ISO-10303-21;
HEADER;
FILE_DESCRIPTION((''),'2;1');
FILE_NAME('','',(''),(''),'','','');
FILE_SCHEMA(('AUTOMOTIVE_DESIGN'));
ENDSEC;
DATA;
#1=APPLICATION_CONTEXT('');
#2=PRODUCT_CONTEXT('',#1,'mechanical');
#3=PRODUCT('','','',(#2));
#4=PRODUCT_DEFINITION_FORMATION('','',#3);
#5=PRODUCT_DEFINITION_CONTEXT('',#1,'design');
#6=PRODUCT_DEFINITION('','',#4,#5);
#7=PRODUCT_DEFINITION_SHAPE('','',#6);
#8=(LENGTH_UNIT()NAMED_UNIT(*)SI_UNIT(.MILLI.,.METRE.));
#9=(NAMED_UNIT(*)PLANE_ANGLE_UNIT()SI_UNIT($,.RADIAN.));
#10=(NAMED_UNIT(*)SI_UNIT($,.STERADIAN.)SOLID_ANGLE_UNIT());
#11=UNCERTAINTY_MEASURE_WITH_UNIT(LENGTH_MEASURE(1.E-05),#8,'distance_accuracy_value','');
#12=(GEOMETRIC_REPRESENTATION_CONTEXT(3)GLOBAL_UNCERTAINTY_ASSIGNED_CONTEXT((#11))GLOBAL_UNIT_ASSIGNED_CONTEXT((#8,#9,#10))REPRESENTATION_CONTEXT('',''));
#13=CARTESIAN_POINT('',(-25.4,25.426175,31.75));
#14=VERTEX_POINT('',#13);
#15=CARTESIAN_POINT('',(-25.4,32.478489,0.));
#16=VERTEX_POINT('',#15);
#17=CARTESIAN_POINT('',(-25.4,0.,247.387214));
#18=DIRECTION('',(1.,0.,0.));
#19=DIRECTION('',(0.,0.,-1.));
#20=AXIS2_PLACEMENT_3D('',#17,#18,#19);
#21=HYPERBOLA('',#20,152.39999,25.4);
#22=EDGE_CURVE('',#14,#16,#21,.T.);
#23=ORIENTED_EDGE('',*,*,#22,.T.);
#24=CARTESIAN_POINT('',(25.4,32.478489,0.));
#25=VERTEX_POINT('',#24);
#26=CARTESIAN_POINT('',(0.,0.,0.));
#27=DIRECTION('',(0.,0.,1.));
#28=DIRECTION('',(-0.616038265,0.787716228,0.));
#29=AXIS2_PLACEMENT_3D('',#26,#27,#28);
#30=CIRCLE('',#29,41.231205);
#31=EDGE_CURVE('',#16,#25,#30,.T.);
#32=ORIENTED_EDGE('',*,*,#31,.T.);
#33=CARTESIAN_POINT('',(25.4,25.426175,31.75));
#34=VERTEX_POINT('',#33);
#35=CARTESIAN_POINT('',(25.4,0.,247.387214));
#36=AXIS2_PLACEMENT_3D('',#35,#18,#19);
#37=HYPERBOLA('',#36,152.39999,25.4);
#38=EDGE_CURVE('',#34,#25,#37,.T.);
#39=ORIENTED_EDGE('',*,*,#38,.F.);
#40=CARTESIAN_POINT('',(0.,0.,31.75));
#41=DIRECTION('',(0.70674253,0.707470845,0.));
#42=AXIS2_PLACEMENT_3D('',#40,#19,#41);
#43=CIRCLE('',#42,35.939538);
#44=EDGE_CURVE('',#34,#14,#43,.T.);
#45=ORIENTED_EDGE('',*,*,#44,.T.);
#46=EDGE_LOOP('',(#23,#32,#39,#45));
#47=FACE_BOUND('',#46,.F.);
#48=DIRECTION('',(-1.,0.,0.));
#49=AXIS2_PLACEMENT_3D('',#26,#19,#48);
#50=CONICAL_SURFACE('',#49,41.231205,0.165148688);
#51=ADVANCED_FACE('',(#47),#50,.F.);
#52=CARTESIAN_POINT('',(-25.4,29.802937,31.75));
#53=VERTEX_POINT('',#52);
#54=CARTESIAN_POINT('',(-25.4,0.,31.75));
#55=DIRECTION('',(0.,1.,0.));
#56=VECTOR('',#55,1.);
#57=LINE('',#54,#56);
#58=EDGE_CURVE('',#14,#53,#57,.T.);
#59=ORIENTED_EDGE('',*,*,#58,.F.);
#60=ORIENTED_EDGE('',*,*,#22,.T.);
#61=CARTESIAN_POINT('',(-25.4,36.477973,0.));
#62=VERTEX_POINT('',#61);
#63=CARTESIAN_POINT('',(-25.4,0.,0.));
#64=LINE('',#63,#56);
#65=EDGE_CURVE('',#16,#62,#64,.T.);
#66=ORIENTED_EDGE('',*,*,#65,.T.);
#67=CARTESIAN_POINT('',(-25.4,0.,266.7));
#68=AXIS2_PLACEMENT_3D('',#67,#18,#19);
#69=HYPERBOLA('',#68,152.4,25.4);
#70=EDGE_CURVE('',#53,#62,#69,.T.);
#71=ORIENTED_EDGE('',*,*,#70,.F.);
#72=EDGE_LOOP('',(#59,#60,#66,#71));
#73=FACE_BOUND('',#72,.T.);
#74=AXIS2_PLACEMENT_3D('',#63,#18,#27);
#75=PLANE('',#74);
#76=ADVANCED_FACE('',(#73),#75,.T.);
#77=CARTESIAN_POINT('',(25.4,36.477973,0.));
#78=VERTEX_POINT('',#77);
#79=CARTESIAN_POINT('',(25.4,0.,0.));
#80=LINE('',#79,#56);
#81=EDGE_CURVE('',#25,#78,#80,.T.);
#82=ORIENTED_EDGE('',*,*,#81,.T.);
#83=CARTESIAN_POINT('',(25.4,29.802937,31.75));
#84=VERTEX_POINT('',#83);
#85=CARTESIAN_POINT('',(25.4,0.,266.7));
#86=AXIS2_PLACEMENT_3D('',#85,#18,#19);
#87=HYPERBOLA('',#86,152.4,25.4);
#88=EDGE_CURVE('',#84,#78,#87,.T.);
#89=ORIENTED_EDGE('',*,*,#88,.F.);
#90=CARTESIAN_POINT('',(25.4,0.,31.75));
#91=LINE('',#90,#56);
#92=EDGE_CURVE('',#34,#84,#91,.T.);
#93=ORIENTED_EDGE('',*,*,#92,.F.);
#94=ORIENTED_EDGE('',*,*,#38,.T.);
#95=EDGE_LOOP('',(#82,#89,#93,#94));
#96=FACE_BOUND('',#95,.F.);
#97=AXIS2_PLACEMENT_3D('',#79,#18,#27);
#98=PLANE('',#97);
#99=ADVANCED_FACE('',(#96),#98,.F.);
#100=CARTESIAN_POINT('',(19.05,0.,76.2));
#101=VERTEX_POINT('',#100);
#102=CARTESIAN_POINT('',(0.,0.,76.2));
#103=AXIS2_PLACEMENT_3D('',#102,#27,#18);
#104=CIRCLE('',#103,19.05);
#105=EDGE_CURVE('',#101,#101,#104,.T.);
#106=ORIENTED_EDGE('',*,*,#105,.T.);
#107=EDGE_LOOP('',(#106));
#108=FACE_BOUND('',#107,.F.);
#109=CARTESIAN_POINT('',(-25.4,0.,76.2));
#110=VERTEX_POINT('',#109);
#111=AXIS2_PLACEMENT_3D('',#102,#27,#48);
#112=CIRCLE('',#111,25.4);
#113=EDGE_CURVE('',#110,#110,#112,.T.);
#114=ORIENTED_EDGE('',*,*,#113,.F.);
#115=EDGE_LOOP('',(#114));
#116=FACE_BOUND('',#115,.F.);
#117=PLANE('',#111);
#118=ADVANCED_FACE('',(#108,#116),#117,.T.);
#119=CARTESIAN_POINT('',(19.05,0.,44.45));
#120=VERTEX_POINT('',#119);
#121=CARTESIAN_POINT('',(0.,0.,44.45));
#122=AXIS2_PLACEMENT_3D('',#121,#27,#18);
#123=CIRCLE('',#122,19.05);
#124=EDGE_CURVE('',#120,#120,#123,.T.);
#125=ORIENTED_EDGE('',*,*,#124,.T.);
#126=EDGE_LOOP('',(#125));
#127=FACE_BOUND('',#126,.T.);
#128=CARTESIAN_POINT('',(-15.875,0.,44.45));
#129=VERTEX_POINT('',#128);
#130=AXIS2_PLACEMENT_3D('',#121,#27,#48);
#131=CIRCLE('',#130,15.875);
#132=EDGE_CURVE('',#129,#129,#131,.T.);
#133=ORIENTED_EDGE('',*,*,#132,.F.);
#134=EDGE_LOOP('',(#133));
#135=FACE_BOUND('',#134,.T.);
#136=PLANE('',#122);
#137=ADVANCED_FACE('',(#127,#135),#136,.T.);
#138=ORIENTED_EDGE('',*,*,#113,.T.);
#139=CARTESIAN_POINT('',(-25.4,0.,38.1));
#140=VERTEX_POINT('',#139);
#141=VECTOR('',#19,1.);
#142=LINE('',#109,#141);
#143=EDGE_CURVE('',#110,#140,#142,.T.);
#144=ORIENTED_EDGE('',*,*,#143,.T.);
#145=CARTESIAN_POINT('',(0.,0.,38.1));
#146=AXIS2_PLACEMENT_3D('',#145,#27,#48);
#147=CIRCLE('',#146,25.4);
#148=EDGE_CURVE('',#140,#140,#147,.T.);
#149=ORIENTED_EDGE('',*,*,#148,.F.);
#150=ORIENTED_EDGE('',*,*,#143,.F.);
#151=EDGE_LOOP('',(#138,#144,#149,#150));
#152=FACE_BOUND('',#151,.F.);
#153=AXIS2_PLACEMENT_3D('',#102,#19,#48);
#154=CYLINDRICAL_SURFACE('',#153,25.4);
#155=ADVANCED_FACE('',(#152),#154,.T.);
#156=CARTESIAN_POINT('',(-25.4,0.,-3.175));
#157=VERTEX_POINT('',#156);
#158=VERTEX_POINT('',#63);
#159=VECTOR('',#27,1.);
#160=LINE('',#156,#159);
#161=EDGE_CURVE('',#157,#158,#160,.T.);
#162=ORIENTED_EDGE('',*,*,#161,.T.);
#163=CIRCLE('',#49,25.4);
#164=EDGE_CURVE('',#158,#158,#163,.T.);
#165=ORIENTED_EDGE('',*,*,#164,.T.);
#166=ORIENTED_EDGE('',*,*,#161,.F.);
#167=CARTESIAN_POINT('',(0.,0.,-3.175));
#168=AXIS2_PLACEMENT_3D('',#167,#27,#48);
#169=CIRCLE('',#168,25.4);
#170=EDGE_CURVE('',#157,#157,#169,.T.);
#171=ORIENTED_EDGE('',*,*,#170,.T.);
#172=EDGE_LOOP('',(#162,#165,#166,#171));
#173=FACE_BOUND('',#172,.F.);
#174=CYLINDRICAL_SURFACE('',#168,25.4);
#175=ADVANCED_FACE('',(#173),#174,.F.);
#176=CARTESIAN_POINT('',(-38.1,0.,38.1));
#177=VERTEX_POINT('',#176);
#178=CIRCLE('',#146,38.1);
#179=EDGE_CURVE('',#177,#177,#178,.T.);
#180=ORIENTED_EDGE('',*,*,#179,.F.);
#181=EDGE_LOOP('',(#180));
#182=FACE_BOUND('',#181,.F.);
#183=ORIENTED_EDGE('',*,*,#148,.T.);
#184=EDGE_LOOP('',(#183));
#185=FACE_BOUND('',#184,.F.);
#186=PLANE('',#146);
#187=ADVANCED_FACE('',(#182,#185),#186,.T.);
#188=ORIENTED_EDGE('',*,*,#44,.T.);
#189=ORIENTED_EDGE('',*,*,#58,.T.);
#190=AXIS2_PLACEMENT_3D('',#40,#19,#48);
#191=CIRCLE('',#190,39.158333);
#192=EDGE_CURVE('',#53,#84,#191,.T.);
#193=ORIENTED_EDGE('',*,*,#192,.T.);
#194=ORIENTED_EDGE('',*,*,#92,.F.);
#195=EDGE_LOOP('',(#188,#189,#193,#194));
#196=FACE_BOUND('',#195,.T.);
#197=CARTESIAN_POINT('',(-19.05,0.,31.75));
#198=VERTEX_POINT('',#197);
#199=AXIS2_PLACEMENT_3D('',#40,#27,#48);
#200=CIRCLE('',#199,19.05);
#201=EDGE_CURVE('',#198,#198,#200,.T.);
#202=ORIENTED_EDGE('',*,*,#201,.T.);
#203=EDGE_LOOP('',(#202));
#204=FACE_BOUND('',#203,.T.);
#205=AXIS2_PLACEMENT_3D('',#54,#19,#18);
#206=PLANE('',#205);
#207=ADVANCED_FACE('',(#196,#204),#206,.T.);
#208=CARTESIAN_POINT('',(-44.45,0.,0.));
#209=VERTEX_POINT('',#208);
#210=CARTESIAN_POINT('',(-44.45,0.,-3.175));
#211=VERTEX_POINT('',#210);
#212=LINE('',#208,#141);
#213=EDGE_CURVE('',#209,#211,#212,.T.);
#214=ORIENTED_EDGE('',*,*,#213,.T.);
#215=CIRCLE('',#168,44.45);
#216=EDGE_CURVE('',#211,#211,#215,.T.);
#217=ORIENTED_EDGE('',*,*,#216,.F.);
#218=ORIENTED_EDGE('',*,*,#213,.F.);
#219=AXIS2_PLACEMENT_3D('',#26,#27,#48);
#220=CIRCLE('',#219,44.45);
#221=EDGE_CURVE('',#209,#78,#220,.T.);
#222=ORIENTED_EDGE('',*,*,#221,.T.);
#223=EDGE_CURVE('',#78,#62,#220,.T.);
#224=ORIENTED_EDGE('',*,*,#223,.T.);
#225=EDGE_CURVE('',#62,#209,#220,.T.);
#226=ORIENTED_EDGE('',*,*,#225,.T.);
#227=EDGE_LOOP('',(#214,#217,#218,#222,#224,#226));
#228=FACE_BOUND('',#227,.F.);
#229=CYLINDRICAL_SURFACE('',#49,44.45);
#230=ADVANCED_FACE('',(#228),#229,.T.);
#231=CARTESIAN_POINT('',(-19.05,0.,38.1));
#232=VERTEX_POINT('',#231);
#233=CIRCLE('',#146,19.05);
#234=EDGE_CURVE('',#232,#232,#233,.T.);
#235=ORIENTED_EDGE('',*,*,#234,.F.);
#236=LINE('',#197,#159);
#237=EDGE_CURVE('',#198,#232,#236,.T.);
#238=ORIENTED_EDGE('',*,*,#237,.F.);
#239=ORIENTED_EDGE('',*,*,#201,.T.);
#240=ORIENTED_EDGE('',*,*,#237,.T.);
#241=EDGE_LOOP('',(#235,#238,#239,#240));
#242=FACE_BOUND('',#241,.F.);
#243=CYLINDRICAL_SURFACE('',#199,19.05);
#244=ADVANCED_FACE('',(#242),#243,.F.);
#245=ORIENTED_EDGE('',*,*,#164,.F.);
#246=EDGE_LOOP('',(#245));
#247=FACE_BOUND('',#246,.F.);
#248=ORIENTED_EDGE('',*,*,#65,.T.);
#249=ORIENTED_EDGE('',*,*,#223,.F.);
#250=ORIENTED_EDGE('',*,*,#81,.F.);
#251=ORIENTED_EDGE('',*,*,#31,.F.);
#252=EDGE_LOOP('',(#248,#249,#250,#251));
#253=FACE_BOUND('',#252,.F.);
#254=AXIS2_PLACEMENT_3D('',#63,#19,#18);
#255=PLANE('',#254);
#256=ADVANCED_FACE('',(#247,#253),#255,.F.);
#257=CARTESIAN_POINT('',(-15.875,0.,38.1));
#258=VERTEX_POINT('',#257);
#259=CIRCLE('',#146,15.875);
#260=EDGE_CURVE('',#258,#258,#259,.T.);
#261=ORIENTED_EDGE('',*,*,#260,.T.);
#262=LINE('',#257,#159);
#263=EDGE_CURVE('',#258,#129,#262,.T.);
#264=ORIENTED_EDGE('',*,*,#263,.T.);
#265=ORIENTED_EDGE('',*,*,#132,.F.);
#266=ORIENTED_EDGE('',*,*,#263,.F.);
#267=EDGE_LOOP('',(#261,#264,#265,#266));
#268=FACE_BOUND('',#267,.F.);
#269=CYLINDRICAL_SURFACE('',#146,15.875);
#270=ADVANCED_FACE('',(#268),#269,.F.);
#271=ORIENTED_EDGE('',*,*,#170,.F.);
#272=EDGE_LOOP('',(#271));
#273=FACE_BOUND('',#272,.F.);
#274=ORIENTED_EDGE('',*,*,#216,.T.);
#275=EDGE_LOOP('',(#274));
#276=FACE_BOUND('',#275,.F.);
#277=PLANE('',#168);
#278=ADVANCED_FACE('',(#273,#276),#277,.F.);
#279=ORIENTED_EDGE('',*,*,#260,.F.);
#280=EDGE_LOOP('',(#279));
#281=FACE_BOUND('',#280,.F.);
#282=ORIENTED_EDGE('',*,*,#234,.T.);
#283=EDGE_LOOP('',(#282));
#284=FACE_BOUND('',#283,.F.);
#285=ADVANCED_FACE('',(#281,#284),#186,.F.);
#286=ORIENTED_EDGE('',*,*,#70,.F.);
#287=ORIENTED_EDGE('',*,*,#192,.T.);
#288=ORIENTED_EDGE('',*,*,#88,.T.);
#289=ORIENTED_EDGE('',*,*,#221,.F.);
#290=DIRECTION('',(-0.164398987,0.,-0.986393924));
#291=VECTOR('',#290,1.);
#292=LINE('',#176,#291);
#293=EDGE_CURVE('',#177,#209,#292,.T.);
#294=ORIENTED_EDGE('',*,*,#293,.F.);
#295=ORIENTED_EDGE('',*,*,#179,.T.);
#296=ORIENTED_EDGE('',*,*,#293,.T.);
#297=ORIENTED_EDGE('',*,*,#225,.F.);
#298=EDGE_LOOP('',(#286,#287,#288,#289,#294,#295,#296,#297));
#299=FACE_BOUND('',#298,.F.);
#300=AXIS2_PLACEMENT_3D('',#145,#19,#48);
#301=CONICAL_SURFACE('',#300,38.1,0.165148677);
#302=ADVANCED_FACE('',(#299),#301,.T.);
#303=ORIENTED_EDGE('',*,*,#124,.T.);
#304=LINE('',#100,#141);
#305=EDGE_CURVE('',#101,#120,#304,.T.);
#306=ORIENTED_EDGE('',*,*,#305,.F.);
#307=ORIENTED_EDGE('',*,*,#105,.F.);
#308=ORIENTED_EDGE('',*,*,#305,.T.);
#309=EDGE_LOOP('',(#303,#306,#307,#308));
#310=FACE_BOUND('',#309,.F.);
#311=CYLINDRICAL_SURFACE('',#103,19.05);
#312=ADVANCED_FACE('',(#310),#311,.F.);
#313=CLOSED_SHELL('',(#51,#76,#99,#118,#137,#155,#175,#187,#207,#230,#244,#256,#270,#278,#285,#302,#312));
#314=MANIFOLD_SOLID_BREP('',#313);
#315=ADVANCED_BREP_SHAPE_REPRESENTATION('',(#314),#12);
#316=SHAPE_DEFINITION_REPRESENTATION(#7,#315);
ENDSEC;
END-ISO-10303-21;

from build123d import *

# Parameters (mm, degrees)
F2_W     = 50.8
F2_H     = 31.75
F3_DEPTH = 44.451
F4_R     = 19.05
F5_DEPTH = 31.75


with BuildPart() as f1:
    # F0 (on Front) → F1 (revolve)
    with BuildSketch(Plane.XZ):
        Polygon((-38.1, 38.1), (-44.45, 0), (-44.45, -3.175), (-25.4, -3.175), (-25.4, 0), (-41.231205, 0), (-35.939538, 31.75), (-19.05, 31.75), (-19.05, 38.1), (-15.875, 38.1), (-15.875, 76.2), (-25.4, 76.2), (-25.4, 38.1), align=None)
    revolve(axis=Axis((0, 0, 192.978986), (0, 0, 1)))

    # F2 (on Front) → F3 (cut, through all)
    with BuildSketch(Plane.XZ):
        with Locations((0, 15.875)):
            Rectangle(F2_W, F2_H)
    extrude(amount=-F3_DEPTH, mode=Mode.SUBTRACT)

    # F4 (on face) → F5 (cut)
    with BuildSketch(Plane.XY.offset(76.2)):
        Circle(F4_R)
    extrude(amount=-F5_DEPTH, mode=Mode.SUBTRACT)


solid = f1.part
